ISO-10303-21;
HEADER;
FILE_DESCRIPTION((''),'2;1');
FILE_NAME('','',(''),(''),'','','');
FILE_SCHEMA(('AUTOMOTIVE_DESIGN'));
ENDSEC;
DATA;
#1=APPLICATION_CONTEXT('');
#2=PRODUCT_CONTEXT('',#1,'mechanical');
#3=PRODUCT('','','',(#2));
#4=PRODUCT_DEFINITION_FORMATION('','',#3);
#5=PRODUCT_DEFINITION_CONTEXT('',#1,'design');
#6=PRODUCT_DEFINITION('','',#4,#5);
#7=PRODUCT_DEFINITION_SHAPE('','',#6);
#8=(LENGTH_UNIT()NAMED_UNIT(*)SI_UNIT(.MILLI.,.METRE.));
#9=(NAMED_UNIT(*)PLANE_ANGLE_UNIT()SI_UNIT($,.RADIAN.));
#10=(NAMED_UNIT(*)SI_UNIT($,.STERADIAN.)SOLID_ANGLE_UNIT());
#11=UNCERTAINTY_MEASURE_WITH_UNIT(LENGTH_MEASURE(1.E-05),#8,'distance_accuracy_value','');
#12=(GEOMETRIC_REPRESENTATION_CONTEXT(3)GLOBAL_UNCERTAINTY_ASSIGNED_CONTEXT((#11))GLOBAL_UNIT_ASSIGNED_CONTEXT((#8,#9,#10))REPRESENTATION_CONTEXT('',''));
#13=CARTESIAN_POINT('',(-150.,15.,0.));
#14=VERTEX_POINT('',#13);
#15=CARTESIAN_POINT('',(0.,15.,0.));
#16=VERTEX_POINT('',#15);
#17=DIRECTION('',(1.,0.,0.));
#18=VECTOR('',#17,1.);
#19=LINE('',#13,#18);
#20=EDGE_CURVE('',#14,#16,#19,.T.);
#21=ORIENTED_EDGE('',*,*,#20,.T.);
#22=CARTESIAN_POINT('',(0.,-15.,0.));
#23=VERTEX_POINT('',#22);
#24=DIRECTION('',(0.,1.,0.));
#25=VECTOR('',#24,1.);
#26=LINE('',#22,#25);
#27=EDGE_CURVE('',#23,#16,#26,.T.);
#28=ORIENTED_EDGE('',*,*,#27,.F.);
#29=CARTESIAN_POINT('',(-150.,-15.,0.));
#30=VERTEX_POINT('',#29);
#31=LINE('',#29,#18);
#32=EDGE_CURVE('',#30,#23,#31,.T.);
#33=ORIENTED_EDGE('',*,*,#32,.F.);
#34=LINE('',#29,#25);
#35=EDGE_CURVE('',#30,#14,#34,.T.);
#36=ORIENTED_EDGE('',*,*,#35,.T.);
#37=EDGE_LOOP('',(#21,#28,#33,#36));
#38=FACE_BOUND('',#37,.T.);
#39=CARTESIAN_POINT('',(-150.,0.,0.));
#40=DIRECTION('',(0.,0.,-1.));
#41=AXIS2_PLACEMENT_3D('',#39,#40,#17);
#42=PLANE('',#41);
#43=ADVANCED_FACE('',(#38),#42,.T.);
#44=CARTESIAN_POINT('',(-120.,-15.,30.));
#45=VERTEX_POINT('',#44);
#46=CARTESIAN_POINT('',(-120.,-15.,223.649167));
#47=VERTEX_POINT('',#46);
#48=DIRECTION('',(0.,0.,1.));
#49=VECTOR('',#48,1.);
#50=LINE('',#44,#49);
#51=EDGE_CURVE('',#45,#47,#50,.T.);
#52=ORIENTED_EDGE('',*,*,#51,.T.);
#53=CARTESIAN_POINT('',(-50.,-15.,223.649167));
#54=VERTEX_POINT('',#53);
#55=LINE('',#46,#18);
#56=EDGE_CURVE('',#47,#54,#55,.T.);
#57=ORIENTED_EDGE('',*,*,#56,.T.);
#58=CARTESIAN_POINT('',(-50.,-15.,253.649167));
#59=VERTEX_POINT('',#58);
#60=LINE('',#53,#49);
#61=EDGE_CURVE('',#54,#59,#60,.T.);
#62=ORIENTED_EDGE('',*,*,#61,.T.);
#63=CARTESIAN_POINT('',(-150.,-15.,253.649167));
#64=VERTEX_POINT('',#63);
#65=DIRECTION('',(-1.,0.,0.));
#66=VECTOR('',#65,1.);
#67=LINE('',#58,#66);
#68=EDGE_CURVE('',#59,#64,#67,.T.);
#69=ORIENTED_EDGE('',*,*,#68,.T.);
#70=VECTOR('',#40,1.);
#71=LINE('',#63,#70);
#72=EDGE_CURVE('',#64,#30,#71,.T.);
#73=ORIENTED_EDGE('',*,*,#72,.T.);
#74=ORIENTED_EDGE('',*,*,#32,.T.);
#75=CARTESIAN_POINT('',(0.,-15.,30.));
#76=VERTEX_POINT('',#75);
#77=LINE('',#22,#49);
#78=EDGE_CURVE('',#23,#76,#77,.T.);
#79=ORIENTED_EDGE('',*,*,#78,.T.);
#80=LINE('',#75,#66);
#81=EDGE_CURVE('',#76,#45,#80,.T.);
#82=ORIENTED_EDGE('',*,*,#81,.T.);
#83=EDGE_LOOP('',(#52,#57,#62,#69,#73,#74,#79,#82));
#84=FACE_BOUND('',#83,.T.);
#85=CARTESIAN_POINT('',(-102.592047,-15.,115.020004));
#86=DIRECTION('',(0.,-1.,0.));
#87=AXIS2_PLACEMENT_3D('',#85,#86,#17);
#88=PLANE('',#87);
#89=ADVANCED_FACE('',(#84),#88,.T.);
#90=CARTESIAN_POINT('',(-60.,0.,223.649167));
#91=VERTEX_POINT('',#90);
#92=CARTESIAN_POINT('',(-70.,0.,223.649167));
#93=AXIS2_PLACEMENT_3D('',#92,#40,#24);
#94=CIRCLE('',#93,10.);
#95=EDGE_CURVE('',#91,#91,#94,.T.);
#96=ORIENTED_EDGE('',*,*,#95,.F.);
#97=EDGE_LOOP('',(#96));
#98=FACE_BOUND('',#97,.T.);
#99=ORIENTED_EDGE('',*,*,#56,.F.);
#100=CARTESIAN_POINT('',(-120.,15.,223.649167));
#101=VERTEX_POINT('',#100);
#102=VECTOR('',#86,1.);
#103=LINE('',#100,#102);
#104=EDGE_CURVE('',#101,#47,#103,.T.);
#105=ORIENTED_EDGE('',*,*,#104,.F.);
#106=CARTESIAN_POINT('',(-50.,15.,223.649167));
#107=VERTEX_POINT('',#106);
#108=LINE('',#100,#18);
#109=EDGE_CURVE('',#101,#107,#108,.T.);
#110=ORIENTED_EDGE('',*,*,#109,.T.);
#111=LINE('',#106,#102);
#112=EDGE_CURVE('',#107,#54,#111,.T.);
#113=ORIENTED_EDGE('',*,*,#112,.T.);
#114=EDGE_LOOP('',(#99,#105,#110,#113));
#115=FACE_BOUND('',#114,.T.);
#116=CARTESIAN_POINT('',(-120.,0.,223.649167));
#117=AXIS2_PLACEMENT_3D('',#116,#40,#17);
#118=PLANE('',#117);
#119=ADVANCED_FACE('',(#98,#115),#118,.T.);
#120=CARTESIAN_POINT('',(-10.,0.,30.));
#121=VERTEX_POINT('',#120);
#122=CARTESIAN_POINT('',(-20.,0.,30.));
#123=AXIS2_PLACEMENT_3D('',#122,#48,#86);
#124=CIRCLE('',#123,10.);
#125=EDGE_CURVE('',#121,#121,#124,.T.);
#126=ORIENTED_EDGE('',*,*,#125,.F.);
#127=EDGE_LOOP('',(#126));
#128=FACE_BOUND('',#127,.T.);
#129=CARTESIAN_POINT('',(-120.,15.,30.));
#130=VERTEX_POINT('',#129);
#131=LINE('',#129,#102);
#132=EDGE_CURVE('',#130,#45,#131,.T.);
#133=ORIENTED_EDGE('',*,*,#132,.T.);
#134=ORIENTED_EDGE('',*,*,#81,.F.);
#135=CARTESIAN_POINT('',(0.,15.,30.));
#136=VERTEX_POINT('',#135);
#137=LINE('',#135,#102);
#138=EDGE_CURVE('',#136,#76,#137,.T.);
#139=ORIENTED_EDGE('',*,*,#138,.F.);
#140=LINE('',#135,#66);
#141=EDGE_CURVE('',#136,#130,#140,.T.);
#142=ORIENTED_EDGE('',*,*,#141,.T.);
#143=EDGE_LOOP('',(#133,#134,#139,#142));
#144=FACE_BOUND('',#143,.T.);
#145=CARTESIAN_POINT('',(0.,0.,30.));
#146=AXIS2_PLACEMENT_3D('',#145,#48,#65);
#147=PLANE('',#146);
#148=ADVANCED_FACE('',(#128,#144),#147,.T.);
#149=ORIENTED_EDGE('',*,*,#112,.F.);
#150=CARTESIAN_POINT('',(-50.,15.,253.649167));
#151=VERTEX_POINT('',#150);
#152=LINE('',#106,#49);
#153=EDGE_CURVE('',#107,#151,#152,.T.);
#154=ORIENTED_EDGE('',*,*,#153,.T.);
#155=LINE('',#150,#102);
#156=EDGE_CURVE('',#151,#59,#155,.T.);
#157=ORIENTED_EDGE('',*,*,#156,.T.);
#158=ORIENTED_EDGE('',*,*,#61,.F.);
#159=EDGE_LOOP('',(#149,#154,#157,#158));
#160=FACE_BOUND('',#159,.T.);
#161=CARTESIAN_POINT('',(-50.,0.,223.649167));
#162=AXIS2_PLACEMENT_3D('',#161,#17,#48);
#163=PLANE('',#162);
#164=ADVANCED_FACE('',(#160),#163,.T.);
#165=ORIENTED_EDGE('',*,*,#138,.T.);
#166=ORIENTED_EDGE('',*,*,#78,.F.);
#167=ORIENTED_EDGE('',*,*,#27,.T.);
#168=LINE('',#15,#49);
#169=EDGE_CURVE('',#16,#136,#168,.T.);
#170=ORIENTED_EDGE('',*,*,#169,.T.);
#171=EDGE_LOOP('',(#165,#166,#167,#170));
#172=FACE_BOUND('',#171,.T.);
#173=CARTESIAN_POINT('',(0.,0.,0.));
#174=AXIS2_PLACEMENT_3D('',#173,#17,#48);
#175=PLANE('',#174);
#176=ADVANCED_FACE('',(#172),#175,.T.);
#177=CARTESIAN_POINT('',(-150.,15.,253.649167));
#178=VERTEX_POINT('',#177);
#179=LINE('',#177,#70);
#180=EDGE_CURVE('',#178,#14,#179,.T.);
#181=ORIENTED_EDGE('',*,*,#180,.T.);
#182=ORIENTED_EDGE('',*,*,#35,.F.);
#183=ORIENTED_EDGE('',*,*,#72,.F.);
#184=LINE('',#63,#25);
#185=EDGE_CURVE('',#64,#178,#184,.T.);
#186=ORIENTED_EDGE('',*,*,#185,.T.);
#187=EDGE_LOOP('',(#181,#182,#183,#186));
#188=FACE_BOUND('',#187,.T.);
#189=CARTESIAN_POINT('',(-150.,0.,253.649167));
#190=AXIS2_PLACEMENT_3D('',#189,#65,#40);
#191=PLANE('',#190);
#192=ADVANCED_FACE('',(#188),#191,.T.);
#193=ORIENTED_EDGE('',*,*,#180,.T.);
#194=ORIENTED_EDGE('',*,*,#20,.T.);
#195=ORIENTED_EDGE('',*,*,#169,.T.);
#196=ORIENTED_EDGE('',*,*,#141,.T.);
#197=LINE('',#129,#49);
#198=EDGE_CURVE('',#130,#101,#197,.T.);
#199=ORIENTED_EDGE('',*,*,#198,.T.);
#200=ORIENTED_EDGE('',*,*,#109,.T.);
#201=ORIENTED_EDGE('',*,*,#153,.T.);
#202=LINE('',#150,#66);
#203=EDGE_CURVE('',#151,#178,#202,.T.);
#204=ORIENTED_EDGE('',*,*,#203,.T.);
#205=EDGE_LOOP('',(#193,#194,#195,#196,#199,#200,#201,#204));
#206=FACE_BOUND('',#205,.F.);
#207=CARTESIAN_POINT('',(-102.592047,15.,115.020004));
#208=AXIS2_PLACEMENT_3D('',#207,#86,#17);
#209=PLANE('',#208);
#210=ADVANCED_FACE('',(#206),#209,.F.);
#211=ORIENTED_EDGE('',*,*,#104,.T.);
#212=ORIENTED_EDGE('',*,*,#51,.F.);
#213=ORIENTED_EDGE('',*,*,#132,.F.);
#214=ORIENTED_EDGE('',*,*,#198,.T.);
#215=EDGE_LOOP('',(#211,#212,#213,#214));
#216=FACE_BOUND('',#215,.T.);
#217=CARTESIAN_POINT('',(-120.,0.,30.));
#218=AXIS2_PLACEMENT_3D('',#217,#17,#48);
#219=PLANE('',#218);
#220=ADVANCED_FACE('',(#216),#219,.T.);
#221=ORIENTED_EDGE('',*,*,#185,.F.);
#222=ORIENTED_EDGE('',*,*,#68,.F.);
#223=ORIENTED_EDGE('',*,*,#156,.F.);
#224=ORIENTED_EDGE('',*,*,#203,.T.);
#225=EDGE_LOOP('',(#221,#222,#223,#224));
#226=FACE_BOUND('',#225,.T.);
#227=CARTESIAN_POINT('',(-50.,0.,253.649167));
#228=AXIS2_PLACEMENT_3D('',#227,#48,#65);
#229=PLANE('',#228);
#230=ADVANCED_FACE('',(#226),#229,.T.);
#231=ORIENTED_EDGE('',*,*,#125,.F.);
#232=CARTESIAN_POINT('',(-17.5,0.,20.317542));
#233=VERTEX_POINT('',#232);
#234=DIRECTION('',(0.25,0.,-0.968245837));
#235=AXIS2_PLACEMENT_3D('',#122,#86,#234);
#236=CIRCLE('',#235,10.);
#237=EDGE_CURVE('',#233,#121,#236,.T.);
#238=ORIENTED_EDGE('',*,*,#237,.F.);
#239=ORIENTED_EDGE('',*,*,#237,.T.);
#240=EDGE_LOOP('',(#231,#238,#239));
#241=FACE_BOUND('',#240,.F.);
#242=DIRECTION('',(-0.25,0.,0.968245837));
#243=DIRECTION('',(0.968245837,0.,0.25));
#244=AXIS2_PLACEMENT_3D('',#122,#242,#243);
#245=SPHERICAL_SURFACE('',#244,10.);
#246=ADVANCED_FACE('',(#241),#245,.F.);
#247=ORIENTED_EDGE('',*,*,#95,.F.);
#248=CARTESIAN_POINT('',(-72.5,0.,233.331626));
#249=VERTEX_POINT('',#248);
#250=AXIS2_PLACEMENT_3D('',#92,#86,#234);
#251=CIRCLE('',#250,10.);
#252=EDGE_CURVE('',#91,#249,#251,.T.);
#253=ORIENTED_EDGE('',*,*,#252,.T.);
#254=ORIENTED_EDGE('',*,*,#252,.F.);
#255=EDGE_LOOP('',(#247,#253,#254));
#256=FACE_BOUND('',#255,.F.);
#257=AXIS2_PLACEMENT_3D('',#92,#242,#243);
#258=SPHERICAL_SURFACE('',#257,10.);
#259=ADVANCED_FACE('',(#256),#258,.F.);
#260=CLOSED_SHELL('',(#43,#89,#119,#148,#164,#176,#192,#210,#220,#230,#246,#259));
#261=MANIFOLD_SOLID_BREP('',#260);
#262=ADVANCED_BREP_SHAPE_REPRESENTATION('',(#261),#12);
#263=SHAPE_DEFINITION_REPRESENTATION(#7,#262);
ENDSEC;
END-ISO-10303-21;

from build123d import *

# Parameters (mm, degrees)
F1_DEPTH = 15


with BuildPart() as f1:
    # F0 (on Front) → F1 (new body, symmetric)
    with BuildSketch(Plane.XZ):
        Polygon((0, 0), (0, 30), (-120, 30), (-120, 223.6491673104), (-50, 223.6491673104), (-50, 253.6491673104), (-150, 253.6491673104), (-150, 0), align=None)
    extrude(amount=F1_DEPTH, both=True)

    # F2 (on Front) → F3 (revolve, cut)
    with BuildSketch(Plane.XZ):
        with BuildLine():
            Line((-22.5, 39.6824583655), (-17.5, 20.3175416345))
            ThreePointArc((-17.5, 20.3175416345), (-10.3175416345, 32.5), (-22.5, 39.6824583655))
        make_face()
        with BuildLine():
            Line((-72.5, 233.3316256759), (-67.5, 213.9667089449))
            ThreePointArc((-67.5, 213.9667089449), (-60.3175416345, 226.1491673104), (-72.5, 233.3316256759))
        make_face()
    revolve(axis=Axis((-45, 0, 126.8245836552), (-0.25, 0, 0.9682458366)), mode=Mode.SUBTRACT)


solid = f1.part
